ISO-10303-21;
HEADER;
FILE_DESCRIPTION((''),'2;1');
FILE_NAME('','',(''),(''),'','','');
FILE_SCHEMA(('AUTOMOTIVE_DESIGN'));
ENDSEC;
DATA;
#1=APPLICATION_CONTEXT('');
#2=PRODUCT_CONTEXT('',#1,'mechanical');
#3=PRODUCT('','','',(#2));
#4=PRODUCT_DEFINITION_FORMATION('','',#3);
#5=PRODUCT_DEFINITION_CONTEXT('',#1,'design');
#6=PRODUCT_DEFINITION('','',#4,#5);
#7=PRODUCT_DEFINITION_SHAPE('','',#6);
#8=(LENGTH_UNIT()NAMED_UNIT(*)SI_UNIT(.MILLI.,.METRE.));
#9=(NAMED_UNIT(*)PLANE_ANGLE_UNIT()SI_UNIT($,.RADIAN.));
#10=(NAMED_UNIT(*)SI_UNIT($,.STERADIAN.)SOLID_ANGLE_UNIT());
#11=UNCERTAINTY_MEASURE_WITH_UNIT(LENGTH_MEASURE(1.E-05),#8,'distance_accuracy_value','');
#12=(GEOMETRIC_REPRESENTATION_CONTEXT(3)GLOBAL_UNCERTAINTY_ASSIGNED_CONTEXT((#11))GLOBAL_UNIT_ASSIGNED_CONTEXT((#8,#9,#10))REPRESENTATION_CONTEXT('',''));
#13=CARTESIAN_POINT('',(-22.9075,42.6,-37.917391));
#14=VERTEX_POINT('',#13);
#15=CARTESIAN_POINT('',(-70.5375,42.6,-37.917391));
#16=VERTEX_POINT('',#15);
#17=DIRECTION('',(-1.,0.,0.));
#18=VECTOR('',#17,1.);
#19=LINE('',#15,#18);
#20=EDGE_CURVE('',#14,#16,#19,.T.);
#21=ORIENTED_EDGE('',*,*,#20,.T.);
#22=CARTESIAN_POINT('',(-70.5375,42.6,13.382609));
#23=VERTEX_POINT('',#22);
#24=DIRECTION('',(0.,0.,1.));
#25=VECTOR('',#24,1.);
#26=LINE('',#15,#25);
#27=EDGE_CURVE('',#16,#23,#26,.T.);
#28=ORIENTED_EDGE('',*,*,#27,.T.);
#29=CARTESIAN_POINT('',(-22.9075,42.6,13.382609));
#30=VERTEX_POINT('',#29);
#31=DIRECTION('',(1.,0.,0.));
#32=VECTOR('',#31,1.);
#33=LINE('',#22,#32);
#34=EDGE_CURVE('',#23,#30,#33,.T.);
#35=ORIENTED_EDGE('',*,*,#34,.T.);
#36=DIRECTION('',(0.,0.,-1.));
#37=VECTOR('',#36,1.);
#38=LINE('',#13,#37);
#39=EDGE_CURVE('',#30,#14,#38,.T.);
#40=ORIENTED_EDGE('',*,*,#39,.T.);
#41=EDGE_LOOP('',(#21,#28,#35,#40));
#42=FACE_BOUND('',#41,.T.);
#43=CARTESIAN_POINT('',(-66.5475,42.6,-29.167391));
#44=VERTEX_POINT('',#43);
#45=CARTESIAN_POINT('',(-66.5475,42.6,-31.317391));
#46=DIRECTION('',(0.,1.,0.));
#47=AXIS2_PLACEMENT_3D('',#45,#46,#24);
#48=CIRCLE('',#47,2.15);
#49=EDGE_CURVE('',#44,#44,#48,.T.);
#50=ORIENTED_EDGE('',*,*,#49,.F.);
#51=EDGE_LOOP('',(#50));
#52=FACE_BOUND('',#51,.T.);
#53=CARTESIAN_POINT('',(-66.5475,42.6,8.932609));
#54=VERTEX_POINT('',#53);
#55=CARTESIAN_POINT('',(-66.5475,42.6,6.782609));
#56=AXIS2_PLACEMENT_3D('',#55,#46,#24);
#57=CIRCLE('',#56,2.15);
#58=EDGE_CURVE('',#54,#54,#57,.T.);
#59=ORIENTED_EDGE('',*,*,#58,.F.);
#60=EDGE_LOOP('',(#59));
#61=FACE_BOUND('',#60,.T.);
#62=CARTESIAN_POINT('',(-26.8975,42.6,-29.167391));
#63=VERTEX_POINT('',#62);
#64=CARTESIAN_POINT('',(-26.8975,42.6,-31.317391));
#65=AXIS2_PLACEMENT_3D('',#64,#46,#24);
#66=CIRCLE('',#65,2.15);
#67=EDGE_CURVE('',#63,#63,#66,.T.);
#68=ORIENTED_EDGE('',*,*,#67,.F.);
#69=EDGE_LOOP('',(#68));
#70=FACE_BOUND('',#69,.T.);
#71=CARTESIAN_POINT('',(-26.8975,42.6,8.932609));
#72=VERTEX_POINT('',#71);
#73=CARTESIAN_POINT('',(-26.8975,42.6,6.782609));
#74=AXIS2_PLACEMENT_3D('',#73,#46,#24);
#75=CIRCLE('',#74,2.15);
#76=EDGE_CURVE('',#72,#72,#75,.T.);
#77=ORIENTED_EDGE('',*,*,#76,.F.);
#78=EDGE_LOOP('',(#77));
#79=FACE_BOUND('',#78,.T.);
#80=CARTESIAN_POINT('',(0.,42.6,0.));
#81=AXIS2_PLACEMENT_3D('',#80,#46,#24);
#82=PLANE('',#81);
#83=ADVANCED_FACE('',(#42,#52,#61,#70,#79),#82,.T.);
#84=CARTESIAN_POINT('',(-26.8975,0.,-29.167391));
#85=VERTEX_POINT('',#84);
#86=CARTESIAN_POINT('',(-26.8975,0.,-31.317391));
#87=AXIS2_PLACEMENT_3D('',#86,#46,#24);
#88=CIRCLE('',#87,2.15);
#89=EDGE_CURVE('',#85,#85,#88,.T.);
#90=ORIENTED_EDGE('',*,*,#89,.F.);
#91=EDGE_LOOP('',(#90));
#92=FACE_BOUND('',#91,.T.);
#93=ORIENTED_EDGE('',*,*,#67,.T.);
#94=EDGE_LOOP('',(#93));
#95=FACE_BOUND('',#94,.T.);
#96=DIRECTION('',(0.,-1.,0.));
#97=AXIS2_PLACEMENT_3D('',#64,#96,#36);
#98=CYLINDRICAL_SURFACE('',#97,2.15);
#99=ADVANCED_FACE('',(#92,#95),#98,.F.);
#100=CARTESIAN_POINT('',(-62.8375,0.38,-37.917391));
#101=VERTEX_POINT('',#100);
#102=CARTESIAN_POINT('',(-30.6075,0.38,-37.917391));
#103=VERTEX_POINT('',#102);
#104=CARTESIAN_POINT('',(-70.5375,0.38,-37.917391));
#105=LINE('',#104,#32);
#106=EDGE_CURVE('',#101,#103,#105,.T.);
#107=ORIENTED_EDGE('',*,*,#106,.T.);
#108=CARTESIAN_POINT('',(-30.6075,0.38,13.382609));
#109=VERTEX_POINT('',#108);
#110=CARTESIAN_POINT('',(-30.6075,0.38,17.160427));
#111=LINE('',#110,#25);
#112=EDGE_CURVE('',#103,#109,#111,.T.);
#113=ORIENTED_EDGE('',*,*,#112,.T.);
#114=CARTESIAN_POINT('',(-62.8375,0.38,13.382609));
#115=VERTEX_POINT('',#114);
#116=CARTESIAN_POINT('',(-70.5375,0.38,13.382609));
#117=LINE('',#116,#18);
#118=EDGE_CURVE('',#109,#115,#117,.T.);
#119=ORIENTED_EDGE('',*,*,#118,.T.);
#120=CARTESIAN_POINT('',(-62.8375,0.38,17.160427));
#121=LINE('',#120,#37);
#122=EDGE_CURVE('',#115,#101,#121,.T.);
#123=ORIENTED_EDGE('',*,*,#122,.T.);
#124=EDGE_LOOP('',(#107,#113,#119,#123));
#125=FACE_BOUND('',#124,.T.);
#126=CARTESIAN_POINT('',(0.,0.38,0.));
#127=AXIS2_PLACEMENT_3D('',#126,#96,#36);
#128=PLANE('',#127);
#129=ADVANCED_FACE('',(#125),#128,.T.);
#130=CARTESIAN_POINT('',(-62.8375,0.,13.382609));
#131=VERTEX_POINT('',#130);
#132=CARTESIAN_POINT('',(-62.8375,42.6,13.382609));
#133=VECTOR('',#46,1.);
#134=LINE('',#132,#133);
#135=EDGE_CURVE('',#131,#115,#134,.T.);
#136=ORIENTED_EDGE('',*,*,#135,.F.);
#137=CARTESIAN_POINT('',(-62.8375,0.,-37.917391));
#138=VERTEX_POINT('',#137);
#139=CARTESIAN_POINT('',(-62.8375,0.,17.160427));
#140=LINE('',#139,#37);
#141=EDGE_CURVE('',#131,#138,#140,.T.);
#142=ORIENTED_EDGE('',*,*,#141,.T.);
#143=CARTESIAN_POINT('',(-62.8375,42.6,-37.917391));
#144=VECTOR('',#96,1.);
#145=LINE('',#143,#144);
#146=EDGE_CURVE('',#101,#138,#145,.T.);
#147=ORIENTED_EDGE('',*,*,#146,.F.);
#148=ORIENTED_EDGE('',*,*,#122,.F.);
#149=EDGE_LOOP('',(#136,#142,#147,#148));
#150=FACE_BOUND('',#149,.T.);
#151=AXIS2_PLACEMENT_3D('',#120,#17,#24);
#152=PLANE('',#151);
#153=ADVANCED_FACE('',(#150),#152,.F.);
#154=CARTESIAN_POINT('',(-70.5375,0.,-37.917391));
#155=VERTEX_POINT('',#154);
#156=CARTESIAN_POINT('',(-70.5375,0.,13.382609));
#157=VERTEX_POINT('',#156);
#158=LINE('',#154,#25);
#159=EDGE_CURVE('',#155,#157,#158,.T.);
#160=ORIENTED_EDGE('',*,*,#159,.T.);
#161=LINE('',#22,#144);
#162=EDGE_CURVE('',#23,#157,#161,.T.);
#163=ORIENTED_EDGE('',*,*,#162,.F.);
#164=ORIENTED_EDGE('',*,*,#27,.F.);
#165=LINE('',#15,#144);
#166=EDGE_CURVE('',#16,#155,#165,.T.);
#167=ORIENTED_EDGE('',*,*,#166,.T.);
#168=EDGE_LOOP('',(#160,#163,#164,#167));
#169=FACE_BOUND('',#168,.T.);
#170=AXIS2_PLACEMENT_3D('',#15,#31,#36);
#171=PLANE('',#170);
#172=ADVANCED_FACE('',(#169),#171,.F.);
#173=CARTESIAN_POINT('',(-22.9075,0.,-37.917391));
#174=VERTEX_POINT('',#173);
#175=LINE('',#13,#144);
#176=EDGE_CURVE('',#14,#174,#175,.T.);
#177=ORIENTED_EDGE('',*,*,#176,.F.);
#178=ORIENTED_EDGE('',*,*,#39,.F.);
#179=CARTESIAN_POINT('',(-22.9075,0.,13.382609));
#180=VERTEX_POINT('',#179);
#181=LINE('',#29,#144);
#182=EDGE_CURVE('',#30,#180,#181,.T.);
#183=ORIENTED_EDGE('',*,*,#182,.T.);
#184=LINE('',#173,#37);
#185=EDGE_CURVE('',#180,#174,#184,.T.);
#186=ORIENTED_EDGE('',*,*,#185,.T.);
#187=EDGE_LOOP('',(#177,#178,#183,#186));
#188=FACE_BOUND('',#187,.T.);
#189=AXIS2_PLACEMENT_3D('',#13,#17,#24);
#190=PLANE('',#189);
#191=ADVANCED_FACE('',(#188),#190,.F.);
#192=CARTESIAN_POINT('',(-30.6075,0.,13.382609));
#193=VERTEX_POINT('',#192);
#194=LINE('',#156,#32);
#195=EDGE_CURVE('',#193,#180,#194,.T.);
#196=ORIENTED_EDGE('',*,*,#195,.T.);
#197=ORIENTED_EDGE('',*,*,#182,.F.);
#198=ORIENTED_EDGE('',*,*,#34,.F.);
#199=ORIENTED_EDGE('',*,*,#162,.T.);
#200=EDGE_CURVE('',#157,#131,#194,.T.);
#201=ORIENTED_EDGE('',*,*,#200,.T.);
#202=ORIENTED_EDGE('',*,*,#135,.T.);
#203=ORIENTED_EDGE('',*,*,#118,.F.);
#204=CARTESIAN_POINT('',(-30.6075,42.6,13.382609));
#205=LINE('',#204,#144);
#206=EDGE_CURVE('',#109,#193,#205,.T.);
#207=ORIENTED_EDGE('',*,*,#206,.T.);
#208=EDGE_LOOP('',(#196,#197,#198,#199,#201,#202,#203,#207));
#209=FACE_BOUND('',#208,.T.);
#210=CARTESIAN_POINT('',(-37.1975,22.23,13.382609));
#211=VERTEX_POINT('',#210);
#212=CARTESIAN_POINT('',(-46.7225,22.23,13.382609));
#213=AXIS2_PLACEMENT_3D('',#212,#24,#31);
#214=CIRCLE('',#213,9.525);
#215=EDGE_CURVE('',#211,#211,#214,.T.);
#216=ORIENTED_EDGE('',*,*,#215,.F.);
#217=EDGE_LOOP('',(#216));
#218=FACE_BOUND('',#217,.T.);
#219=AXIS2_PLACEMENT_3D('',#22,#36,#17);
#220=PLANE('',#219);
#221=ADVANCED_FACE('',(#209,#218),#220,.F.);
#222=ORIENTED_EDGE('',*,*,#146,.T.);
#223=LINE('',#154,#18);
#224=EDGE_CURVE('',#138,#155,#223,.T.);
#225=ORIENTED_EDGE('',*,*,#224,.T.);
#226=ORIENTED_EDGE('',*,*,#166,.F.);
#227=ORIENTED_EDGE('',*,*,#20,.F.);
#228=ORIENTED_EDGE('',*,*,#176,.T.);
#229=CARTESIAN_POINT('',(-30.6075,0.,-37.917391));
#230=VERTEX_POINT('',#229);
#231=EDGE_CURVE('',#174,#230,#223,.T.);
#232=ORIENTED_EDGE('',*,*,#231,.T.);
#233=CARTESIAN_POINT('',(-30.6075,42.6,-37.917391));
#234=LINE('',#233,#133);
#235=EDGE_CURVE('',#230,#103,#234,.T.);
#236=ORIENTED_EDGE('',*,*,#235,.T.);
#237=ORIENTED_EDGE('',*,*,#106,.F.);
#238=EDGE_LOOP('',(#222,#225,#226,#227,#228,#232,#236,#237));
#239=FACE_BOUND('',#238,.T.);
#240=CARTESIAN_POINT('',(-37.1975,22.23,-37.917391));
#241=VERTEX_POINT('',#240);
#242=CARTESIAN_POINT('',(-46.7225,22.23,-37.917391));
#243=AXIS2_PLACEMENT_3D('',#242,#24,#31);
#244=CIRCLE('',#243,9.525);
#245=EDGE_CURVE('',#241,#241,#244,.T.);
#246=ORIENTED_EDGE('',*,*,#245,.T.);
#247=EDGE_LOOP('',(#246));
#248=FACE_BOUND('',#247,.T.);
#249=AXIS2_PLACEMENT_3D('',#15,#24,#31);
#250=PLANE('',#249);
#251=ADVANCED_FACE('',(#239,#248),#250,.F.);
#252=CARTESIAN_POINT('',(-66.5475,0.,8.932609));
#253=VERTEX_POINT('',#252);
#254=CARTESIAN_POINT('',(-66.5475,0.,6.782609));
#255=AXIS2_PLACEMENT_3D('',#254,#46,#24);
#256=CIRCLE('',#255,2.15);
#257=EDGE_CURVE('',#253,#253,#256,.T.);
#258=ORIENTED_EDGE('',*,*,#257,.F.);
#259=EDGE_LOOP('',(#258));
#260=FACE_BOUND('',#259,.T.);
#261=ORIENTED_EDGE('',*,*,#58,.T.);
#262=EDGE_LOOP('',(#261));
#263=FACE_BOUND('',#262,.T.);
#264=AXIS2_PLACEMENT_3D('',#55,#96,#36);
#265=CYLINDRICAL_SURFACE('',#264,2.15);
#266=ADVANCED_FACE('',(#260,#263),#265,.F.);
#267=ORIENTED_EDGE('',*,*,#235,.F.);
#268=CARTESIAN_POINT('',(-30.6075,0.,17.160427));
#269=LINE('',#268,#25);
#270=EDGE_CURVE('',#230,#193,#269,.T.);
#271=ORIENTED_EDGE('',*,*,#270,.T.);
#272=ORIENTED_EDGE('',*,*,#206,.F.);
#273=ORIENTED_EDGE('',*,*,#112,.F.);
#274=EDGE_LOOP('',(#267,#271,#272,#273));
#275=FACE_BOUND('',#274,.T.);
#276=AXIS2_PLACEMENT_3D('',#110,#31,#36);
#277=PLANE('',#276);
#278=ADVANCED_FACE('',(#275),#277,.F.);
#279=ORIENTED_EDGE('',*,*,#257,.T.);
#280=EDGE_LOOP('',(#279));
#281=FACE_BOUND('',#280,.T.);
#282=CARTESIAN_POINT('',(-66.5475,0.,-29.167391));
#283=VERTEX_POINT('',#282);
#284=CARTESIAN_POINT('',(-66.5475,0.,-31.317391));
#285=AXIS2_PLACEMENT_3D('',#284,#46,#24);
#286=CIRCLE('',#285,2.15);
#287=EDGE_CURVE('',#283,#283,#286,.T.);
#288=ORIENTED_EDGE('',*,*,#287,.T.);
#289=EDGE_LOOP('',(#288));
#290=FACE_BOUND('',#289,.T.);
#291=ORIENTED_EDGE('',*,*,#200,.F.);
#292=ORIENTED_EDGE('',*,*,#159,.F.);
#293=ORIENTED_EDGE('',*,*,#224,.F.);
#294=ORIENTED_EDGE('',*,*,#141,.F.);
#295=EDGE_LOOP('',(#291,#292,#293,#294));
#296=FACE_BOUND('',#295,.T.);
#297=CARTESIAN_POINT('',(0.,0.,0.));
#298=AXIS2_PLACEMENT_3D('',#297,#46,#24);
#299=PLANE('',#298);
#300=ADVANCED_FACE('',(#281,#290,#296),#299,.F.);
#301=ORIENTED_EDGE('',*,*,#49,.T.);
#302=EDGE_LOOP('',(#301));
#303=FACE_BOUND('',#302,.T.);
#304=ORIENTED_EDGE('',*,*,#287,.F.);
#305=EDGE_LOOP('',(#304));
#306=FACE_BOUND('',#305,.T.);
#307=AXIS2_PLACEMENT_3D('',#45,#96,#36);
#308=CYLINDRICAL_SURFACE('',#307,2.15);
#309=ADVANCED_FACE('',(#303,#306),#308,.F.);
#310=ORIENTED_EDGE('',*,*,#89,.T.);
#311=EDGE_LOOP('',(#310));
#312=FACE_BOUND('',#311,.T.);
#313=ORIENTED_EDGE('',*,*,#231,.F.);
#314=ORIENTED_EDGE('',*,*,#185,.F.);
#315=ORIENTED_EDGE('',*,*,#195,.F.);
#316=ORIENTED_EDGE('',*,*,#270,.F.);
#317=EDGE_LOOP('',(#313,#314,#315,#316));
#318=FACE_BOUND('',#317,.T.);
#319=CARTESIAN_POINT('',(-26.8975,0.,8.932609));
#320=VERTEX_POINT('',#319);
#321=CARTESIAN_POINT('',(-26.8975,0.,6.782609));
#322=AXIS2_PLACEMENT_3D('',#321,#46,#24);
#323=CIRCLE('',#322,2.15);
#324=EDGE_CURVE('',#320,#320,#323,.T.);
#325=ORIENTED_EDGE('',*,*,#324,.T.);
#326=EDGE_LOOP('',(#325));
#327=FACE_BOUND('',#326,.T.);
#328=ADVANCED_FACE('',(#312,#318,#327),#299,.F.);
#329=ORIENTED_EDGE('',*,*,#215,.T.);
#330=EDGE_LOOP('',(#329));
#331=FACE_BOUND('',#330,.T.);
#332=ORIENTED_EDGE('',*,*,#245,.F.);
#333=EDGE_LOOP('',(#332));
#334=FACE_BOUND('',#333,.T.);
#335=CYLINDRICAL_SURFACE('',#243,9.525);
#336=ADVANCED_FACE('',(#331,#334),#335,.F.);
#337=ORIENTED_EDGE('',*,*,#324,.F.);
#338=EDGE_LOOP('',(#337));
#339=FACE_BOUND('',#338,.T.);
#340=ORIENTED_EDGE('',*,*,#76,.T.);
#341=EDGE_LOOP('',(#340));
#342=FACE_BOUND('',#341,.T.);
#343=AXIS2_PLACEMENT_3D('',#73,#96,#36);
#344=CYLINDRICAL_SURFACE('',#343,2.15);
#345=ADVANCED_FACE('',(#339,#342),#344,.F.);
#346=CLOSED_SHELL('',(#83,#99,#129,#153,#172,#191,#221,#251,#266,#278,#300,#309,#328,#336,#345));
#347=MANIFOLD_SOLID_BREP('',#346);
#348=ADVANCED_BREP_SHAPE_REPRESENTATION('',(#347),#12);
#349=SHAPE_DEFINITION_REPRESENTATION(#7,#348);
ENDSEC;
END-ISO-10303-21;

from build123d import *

# Parameters (mm, degrees)
SKETCH1_W           = 47.63
SKETCH1_H           = 51.3
SKETCH1_R           = 2.15
BOSS_EXTRUDE1_DEPTH = 42.6
SKETCH2_R           = 9.525
CUT_EXTRUDE1_DEPTH  = 98.066930034
SKETCH3_W           = 32.23
SKETCH3_H           = 57.048665503
CUT_EXTRUDE2_DEPTH  = 0.38


with BuildPart() as part:
    # Sketch1 → Boss-Extrude1 (new body)
    with BuildSketch(Plane(origin=(0, 0, 0), x_dir=(1, 0, 0), z_dir=(0, 1, 0))):
        with Locations((-46.7225, 12.267391304)):
            Rectangle(SKETCH1_W, SKETCH1_H)
        with Locations(Location((-66.5475, 31.317391304, 0), (0, 0, 270))):
            Circle(SKETCH1_R, mode=Mode.SUBTRACT)
        with Locations(Location((-26.8975, 31.317391304, 0), (0, 0, 270))):
            Circle(SKETCH1_R, mode=Mode.SUBTRACT)
        with Locations(Location((-66.5475, -6.782608696, 0), (0, 0, 270))):
            Circle(SKETCH1_R, mode=Mode.SUBTRACT)
        with Locations(Location((-26.8975, -6.782608696, 0), (0, 0, 270))):
            Circle(SKETCH1_R, mode=Mode.SUBTRACT)
    extrude(amount=BOSS_EXTRUDE1_DEPTH)

    # Sketch2 → Cut-Extrude1 (cut, through all)
    with BuildSketch(Plane.XY.offset(13.382608696)):
        with Locations((-46.7225, 22.23)):
            Circle(SKETCH2_R)
    extrude(amount=-CUT_EXTRUDE1_DEPTH, mode=Mode.SUBTRACT)

    # Sketch3 → Cut-Extrude2 (cut)
    with BuildSketch(Plane.XZ):
        with Locations((-46.7225, -11.363905652)):
            Rectangle(SKETCH3_W, SKETCH3_H)
    extrude(amount=-CUT_EXTRUDE2_DEPTH, mode=Mode.SUBTRACT)


solid = part.part
